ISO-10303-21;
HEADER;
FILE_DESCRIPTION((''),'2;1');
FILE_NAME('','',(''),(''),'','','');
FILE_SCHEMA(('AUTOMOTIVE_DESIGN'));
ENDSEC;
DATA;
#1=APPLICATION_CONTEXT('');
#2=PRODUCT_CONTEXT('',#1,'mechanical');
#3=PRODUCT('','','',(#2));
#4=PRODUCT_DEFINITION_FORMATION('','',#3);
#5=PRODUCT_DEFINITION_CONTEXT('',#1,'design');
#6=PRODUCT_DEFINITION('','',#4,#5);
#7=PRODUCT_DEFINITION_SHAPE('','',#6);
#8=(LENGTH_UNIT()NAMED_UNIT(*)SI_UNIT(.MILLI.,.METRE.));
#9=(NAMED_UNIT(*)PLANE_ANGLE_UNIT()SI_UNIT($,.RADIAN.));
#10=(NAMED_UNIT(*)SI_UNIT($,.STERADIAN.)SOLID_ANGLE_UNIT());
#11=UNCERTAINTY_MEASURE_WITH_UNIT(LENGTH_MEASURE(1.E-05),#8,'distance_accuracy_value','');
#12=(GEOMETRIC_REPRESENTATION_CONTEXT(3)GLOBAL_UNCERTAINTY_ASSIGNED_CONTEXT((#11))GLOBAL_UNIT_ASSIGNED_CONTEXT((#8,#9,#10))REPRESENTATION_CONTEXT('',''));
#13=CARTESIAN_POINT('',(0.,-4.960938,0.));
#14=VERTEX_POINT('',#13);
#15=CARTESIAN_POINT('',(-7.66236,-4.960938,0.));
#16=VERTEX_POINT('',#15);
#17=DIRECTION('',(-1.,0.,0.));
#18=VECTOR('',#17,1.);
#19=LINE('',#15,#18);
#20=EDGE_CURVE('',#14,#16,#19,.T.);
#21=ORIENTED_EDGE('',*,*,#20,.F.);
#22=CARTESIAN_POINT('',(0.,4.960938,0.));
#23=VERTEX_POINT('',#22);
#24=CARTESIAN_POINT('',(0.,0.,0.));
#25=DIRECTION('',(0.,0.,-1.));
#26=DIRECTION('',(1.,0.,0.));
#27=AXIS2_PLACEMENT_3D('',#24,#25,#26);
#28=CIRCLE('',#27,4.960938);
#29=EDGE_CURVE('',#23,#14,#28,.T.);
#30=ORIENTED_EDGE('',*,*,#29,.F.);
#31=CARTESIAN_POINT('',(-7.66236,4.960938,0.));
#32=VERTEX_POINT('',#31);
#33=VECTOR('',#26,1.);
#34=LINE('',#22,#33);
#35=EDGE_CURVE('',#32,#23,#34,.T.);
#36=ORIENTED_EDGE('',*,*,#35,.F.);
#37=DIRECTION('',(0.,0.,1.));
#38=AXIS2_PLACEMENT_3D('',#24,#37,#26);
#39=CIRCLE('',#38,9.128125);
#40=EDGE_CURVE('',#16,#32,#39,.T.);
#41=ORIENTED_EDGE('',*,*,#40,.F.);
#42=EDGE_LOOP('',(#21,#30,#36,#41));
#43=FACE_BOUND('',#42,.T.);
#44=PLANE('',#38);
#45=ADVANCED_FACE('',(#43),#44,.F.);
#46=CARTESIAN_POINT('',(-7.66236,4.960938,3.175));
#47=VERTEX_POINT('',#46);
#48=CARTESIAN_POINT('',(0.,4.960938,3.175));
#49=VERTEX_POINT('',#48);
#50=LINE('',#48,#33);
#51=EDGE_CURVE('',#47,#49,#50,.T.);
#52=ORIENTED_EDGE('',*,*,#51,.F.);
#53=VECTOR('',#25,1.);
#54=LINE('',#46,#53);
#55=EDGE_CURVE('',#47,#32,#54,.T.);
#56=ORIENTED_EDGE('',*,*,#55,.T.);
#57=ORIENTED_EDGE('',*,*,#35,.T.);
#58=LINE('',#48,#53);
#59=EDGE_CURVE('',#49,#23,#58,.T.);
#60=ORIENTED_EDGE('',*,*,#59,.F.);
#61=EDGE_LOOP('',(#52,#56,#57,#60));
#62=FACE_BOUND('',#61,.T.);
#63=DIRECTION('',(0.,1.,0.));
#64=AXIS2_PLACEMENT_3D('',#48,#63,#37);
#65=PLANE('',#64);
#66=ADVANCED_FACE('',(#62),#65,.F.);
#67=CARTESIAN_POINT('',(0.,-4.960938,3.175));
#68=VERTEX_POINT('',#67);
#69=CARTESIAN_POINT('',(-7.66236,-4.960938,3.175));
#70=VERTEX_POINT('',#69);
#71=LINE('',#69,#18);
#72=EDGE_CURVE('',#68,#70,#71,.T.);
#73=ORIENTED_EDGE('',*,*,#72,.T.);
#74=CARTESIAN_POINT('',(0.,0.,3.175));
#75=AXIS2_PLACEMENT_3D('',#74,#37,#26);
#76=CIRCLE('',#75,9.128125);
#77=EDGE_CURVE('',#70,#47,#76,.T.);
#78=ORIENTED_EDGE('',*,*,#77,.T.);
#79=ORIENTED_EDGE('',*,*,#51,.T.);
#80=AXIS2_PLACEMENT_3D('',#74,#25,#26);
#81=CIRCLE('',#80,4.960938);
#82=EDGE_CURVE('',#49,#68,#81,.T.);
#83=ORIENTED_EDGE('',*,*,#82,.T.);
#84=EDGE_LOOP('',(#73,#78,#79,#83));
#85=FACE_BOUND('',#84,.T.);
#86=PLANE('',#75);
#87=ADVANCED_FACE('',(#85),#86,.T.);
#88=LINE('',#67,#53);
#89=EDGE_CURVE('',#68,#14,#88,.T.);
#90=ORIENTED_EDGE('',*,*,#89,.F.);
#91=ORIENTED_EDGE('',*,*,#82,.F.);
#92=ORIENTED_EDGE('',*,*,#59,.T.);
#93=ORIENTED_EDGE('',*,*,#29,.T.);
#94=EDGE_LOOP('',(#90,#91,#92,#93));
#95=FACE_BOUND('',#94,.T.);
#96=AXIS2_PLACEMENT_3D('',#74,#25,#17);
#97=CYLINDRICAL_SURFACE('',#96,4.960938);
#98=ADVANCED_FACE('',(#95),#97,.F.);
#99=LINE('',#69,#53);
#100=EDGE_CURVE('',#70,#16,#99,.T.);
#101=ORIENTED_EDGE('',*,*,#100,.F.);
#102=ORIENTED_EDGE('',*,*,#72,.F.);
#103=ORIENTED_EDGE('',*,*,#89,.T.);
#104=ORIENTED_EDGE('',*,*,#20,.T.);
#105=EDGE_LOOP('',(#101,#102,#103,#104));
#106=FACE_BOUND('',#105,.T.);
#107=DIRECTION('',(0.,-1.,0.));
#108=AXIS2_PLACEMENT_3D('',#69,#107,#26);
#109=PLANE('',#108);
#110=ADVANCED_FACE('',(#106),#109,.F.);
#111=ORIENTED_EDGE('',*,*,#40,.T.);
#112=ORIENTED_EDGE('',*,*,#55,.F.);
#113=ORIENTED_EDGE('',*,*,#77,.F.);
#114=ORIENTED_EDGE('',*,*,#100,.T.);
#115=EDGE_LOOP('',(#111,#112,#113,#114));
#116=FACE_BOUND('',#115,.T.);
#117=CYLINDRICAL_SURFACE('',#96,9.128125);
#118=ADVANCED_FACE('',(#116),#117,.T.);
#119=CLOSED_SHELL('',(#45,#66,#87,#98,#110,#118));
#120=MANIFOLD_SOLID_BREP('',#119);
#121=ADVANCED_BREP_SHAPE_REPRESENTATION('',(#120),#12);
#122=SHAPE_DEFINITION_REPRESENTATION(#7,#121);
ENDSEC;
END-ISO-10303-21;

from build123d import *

# Parameters (mm, degrees)
EXTRUDE1_DEPTH = 3.175


with BuildPart() as part:
    # Sketch1 → Extrude1 (new body)
    with BuildSketch(Plane.XY):
        with BuildLine():
            Line((-7.662360285, -4.9609375), (0, -4.9609375))
            ThreePointArc((0, -4.9609375), (4.9609375, 0), (0, 4.9609375))
            Line((0, 4.9609375), (-7.662360285, 4.9609375))
            ThreePointArc((-7.662360285, 4.9609375), (9.128125, 0), (-7.662360285, -4.9609375))
        make_face()
    extrude(amount=EXTRUDE1_DEPTH)


solid = part.part
